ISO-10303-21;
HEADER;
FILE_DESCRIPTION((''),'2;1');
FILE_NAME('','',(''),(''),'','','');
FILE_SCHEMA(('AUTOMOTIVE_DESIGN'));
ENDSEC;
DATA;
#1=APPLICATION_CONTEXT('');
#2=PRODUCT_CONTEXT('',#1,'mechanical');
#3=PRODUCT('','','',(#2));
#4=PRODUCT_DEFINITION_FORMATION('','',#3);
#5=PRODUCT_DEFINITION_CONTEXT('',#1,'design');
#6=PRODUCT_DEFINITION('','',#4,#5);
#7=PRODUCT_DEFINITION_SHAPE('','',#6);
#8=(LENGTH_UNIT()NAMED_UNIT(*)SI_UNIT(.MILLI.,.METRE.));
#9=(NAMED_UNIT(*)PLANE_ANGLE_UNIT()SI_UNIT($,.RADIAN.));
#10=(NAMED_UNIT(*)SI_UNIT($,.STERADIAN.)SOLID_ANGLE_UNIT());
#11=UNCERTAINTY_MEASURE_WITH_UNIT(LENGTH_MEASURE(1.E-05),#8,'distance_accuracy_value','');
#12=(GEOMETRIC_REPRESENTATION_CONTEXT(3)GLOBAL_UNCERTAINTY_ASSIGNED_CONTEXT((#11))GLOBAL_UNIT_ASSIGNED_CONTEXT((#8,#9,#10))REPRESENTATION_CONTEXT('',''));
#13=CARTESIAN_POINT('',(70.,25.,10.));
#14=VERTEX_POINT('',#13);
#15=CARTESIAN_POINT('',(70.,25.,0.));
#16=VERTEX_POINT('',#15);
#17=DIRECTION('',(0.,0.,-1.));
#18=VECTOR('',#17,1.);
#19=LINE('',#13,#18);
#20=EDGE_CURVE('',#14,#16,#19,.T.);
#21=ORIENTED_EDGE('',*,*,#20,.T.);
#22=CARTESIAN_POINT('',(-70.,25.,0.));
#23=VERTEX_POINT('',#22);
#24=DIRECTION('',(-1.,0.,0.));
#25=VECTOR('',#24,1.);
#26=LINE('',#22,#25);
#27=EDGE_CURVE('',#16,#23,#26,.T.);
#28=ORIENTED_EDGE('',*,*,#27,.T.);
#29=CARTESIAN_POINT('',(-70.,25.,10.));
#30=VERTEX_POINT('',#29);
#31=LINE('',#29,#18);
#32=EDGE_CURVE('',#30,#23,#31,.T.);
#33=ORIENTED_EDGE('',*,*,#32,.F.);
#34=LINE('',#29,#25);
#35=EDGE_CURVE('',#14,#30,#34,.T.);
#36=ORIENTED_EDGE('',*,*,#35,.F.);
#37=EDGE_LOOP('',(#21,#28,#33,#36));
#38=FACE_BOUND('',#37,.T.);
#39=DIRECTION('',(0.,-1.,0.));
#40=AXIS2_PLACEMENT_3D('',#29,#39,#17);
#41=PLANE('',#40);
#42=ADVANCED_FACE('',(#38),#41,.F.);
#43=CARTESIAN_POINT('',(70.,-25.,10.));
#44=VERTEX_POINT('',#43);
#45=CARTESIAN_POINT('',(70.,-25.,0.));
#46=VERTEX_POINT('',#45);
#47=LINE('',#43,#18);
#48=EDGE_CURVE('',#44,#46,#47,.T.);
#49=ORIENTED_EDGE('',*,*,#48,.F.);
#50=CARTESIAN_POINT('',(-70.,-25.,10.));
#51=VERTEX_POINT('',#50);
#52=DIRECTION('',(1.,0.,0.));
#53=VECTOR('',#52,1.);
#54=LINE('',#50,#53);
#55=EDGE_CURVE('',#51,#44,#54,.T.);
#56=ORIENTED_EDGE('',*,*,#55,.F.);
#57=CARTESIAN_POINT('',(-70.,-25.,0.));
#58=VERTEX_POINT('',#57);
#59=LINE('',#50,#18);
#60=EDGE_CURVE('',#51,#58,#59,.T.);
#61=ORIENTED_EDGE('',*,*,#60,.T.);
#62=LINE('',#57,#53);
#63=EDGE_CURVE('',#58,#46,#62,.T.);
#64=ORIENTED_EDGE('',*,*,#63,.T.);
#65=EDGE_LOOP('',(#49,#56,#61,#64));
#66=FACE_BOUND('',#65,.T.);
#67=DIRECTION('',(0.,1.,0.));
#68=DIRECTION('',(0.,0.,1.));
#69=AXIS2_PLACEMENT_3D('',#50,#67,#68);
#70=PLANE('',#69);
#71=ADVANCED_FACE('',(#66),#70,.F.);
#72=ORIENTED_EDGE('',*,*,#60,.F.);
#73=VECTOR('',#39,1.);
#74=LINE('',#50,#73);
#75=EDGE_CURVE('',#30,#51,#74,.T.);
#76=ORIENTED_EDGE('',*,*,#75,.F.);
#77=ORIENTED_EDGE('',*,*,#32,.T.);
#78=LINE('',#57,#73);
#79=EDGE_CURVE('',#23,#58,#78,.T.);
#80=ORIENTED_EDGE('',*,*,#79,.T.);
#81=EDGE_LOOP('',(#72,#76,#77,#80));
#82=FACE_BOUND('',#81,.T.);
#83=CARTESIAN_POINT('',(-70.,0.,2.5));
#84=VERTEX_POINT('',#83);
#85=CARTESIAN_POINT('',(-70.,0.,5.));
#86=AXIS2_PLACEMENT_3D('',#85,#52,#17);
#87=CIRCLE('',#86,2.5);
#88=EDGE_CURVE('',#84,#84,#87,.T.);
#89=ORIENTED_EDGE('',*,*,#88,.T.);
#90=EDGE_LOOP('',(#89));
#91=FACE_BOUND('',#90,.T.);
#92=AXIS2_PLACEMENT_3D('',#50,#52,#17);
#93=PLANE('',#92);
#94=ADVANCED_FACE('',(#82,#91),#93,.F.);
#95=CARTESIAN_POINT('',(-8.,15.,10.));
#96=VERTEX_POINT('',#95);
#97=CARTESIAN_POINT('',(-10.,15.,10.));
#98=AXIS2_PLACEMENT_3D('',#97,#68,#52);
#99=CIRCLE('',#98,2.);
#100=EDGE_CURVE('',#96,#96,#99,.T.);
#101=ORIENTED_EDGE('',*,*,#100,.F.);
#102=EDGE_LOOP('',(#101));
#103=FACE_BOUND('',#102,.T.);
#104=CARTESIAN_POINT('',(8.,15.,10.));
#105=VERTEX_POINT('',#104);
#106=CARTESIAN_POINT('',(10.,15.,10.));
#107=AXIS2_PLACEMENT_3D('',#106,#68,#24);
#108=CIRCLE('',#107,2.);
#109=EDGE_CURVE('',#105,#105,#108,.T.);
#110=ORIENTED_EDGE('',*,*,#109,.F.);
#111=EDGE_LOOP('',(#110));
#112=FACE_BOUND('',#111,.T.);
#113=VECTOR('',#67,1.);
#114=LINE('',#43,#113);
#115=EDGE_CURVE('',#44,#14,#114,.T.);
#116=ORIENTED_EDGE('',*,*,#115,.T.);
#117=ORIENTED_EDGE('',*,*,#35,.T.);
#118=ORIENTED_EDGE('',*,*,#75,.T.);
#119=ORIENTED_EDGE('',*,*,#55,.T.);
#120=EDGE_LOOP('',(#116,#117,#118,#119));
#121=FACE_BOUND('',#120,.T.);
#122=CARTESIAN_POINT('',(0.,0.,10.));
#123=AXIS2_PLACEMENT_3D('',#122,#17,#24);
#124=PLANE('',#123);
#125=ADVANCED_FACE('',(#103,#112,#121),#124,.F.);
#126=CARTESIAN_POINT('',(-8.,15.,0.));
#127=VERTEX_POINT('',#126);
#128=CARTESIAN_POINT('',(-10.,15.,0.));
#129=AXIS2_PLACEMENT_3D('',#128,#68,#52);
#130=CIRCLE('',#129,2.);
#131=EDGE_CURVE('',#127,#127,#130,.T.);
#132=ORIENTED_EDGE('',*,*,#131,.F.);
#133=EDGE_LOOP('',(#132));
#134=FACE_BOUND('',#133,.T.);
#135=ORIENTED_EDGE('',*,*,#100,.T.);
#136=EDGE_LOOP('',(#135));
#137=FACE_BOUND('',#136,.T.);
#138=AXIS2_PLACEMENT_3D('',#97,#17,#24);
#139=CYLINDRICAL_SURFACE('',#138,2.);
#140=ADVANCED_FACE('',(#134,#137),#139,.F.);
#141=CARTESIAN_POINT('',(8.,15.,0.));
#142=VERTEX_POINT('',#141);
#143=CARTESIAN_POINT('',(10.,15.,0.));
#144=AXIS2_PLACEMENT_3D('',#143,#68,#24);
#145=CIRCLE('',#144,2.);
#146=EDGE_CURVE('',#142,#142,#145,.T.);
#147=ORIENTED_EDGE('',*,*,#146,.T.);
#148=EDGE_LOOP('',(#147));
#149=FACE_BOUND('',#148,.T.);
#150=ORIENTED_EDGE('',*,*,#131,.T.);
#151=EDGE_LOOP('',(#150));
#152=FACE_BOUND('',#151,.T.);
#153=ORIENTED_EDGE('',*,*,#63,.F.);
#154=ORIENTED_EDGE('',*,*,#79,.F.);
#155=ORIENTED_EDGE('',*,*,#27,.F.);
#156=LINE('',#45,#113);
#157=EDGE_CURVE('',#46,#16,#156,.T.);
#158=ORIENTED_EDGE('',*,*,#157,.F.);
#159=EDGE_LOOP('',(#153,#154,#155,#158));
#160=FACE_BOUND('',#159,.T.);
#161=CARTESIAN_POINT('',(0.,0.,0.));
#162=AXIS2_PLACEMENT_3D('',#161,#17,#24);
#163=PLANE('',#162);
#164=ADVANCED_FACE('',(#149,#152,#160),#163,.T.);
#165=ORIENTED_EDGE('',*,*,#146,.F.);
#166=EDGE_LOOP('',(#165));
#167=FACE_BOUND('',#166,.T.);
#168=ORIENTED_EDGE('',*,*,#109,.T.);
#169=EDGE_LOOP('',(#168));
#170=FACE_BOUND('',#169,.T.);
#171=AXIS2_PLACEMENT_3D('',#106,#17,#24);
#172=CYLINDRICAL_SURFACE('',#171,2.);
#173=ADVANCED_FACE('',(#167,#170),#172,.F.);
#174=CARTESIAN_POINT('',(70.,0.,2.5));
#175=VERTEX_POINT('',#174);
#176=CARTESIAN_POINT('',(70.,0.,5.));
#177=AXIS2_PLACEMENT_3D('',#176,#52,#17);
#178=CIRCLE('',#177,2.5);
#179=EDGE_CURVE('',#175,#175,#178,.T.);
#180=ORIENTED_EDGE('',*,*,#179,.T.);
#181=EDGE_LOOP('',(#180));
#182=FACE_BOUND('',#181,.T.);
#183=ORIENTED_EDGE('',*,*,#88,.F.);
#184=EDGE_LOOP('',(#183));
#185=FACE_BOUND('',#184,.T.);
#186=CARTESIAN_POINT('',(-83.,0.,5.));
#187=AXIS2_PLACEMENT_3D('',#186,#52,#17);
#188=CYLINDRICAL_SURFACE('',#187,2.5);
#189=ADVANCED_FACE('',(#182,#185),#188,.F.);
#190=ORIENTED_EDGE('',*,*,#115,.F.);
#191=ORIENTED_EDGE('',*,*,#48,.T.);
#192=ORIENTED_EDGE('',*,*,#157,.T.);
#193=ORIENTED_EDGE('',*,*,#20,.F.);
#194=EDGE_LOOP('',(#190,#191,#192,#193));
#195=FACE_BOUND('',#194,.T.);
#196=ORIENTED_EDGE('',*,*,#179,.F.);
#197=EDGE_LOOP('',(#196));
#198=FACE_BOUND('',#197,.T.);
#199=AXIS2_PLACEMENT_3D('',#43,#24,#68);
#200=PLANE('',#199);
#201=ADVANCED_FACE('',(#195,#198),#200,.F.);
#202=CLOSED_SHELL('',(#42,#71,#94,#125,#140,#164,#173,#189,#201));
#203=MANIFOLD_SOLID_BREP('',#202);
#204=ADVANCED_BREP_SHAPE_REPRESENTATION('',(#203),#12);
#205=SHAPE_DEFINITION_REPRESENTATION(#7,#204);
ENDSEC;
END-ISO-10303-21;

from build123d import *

# Parameters (mm, degrees)
SKETCH1_W           = 140
SKETCH1_H           = 50
SKETCH1_R           = 2
BOSS_EXTRUDE1_DEPTH = 10
SKETCH2_R           = 2.5
CUT_EXTRUDE1_DEPTH  = 153


with BuildPart() as part:
    # Sketch1 → Boss-Extrude1 (new body)
    with BuildSketch(Plane.XY):
        Rectangle(SKETCH1_W, SKETCH1_H)
        with Locations((-10, 15)):
            Circle(SKETCH1_R, mode=Mode.SUBTRACT)
        with Locations(Location((10, 15, 0), (0, 0, 180))):
            Circle(SKETCH1_R, mode=Mode.SUBTRACT)
    extrude(amount=BOSS_EXTRUDE1_DEPTH)

    # Sketch2 → Cut-Extrude1 (cut)
    with BuildSketch(Plane(origin=(70, 0, 0), x_dir=(0, 0, -1), z_dir=(1, 0, 0))):
        with Locations((-5, 0)):
            Circle(SKETCH2_R)
    extrude(amount=-CUT_EXTRUDE1_DEPTH, mode=Mode.SUBTRACT)


solid = part.part
